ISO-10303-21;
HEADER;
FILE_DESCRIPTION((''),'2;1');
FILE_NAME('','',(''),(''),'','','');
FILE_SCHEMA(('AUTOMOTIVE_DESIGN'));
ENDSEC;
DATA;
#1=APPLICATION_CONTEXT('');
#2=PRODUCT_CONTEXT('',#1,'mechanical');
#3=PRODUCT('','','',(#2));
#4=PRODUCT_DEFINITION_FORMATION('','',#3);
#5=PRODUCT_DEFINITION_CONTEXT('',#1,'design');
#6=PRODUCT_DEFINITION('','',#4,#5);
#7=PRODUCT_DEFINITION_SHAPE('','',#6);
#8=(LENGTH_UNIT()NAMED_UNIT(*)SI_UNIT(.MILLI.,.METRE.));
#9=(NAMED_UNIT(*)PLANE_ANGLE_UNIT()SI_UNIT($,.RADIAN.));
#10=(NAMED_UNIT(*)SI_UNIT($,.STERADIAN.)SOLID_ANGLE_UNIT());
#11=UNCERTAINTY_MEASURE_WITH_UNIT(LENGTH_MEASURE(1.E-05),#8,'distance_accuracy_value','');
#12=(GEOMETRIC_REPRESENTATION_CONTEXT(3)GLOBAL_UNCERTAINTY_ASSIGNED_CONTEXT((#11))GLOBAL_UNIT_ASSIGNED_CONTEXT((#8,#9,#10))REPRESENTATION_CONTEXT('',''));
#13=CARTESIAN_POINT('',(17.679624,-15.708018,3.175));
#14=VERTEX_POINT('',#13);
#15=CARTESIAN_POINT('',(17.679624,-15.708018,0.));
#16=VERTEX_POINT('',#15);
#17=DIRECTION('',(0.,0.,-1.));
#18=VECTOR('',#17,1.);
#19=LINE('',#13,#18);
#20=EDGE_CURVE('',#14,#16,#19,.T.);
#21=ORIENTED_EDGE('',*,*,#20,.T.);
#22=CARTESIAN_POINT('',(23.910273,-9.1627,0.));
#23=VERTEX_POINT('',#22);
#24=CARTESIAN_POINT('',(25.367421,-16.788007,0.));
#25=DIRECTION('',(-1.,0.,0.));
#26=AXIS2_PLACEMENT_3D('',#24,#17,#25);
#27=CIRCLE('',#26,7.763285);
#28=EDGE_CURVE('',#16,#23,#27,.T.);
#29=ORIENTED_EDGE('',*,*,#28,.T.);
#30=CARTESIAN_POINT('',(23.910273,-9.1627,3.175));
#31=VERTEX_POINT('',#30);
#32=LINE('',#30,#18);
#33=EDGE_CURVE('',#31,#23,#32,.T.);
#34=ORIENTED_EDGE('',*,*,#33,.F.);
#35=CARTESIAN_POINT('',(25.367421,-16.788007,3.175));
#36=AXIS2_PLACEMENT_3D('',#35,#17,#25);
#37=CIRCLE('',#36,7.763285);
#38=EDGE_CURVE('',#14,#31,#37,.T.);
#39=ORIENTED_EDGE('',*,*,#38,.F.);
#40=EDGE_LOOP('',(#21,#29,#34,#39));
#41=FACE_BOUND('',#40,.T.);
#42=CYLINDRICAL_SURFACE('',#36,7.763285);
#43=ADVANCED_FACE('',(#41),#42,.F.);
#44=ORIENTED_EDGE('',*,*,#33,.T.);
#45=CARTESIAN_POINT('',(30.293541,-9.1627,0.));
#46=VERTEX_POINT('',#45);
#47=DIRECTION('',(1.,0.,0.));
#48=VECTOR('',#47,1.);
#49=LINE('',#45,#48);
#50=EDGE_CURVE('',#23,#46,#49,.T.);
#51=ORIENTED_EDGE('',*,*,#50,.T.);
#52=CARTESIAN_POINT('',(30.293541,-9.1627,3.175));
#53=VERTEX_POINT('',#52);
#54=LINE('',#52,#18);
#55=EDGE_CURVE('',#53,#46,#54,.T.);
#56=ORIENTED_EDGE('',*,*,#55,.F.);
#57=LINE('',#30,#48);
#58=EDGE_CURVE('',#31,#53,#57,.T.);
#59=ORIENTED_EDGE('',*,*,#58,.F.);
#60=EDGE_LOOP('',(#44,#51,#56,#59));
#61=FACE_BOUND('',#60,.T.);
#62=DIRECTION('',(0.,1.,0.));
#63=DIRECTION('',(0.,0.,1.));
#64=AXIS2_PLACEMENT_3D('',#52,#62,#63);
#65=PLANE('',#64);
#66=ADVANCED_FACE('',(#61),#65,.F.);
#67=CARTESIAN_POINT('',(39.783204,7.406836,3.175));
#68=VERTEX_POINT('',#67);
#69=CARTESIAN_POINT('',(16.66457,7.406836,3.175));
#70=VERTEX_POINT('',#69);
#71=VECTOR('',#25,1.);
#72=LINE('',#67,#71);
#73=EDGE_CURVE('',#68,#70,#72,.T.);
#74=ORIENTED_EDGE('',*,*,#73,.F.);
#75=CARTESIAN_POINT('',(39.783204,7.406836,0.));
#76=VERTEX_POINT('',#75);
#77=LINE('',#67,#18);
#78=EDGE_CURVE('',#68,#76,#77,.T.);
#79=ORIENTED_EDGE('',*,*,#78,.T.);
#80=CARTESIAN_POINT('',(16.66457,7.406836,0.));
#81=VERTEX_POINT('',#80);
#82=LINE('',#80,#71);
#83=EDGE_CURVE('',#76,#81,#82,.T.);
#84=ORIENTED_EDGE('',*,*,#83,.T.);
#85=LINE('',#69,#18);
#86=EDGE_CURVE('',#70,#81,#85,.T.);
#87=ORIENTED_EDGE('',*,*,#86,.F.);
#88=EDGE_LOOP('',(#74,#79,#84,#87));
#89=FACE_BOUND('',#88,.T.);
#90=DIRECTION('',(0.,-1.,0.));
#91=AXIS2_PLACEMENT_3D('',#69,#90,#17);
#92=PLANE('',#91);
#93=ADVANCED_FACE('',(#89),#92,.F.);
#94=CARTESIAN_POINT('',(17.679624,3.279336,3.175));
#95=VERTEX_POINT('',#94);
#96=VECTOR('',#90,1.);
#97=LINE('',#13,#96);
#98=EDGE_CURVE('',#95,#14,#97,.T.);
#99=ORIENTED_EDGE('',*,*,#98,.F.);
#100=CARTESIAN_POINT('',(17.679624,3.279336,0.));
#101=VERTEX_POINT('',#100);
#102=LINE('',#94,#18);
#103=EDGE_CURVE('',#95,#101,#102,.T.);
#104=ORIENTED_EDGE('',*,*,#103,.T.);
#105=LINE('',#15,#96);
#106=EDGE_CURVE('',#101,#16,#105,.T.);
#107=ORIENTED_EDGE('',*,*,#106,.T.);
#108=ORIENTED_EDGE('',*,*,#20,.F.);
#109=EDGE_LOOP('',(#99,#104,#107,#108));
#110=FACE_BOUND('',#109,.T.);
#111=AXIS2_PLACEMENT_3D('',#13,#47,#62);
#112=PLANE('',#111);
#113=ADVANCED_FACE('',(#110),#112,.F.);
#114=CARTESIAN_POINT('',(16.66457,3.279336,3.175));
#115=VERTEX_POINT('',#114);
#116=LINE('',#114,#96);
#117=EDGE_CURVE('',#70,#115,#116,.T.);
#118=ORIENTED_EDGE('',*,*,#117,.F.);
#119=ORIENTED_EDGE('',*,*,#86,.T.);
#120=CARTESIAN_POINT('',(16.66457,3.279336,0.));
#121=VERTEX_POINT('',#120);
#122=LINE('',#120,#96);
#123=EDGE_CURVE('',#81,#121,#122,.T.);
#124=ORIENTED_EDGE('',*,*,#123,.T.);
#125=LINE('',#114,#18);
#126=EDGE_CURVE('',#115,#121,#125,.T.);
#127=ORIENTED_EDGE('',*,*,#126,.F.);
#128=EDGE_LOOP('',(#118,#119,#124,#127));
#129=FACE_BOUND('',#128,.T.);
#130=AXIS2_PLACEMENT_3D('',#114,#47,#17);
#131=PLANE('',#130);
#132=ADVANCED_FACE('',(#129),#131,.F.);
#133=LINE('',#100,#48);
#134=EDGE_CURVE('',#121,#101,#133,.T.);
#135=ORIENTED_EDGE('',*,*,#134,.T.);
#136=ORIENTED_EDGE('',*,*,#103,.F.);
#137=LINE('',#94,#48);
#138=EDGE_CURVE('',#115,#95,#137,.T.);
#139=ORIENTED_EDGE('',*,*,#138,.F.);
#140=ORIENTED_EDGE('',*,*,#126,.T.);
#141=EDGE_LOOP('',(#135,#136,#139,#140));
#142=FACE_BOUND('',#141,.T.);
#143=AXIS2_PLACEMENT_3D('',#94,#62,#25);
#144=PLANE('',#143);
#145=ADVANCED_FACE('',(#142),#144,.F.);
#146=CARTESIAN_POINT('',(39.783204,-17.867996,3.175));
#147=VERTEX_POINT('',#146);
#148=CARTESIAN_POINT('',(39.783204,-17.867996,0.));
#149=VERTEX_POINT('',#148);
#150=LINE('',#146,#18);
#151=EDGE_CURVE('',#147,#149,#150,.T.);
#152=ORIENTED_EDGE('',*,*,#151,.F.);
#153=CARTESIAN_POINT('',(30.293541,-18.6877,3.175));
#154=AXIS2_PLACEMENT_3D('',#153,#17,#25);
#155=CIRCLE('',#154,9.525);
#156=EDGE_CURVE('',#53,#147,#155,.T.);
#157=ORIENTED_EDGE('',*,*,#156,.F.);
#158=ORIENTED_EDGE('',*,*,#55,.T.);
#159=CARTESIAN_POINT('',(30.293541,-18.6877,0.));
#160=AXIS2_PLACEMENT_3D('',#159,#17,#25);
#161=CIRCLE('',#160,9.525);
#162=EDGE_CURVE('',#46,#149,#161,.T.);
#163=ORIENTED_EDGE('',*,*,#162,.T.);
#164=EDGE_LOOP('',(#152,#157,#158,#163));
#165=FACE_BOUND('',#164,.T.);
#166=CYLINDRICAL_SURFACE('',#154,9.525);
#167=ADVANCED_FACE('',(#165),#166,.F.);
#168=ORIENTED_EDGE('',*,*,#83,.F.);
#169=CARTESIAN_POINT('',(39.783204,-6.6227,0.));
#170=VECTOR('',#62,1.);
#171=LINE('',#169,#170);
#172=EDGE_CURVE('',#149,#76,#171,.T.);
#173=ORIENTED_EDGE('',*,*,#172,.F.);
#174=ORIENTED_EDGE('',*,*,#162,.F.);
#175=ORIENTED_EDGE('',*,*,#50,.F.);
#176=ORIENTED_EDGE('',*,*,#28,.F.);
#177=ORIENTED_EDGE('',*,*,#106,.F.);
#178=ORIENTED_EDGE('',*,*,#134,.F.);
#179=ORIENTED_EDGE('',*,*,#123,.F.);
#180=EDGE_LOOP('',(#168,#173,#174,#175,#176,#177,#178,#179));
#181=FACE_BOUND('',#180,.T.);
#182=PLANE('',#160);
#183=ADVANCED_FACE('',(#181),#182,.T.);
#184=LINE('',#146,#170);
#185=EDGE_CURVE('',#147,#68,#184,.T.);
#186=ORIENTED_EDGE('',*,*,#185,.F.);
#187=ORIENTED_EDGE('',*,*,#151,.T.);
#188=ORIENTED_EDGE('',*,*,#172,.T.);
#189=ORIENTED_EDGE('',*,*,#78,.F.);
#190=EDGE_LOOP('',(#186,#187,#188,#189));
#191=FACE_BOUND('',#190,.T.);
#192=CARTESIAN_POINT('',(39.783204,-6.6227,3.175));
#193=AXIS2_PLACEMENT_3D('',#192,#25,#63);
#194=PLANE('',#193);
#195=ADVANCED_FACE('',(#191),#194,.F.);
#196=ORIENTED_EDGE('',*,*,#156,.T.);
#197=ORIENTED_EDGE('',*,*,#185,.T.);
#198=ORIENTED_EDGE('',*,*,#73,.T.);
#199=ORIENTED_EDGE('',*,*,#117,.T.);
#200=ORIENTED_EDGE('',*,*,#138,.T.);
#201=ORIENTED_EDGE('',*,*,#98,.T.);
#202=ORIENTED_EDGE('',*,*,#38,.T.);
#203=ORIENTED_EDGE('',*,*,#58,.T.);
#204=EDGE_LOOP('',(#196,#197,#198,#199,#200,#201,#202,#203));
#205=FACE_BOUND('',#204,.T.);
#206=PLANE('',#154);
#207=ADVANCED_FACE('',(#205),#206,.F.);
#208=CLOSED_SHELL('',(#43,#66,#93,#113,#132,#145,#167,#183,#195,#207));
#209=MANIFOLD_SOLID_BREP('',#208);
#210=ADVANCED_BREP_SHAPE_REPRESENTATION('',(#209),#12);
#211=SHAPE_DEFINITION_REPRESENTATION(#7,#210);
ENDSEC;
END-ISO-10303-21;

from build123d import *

# Parameters (mm, degrees)
BOSS_EXTRUDE3_DEPTH = 3.175


with BuildPart() as part:
    # Sketch3 → Boss-Extrude3 (new body)
    with BuildSketch(Plane.XY):
        with BuildLine():
            Line((30.293540828, -9.162699553), (26.82456956, -9.162699553))
            Line((26.82456956, -9.162699553), (23.910273162, -9.162699553))
            ThreePointArc((23.910273162, -9.162699553), (19.744450184, -11.435363695), (17.679624466, -15.708018391))
            Line((17.679624466, -15.708018391), (17.679624466, 3.279335675))
            Line((17.679624466, 3.279335675), (16.66456956, 3.279335675))
            Line((16.66456956, 3.279335675), (16.66456956, 7.406835675))
            Line((16.66456956, 7.406835675), (38.515978397, 7.406835675))
            Line((38.515978397, 7.406835675), (39.783204201, 7.406835675))
            Line((39.783204201, 7.406835675), (39.783204201, -6.622699553))
            Line((39.783204201, -6.622699553), (39.783204201, -9.162699553))
            Line((39.783204201, -9.162699553), (39.783204201, -17.86799591))
            ThreePointArc((39.783204201, -17.86799591), (36.732405161, -11.668678888), (30.293540828, -9.162699553))
        make_face()
    extrude(amount=BOSS_EXTRUDE3_DEPTH)


solid = part.part
